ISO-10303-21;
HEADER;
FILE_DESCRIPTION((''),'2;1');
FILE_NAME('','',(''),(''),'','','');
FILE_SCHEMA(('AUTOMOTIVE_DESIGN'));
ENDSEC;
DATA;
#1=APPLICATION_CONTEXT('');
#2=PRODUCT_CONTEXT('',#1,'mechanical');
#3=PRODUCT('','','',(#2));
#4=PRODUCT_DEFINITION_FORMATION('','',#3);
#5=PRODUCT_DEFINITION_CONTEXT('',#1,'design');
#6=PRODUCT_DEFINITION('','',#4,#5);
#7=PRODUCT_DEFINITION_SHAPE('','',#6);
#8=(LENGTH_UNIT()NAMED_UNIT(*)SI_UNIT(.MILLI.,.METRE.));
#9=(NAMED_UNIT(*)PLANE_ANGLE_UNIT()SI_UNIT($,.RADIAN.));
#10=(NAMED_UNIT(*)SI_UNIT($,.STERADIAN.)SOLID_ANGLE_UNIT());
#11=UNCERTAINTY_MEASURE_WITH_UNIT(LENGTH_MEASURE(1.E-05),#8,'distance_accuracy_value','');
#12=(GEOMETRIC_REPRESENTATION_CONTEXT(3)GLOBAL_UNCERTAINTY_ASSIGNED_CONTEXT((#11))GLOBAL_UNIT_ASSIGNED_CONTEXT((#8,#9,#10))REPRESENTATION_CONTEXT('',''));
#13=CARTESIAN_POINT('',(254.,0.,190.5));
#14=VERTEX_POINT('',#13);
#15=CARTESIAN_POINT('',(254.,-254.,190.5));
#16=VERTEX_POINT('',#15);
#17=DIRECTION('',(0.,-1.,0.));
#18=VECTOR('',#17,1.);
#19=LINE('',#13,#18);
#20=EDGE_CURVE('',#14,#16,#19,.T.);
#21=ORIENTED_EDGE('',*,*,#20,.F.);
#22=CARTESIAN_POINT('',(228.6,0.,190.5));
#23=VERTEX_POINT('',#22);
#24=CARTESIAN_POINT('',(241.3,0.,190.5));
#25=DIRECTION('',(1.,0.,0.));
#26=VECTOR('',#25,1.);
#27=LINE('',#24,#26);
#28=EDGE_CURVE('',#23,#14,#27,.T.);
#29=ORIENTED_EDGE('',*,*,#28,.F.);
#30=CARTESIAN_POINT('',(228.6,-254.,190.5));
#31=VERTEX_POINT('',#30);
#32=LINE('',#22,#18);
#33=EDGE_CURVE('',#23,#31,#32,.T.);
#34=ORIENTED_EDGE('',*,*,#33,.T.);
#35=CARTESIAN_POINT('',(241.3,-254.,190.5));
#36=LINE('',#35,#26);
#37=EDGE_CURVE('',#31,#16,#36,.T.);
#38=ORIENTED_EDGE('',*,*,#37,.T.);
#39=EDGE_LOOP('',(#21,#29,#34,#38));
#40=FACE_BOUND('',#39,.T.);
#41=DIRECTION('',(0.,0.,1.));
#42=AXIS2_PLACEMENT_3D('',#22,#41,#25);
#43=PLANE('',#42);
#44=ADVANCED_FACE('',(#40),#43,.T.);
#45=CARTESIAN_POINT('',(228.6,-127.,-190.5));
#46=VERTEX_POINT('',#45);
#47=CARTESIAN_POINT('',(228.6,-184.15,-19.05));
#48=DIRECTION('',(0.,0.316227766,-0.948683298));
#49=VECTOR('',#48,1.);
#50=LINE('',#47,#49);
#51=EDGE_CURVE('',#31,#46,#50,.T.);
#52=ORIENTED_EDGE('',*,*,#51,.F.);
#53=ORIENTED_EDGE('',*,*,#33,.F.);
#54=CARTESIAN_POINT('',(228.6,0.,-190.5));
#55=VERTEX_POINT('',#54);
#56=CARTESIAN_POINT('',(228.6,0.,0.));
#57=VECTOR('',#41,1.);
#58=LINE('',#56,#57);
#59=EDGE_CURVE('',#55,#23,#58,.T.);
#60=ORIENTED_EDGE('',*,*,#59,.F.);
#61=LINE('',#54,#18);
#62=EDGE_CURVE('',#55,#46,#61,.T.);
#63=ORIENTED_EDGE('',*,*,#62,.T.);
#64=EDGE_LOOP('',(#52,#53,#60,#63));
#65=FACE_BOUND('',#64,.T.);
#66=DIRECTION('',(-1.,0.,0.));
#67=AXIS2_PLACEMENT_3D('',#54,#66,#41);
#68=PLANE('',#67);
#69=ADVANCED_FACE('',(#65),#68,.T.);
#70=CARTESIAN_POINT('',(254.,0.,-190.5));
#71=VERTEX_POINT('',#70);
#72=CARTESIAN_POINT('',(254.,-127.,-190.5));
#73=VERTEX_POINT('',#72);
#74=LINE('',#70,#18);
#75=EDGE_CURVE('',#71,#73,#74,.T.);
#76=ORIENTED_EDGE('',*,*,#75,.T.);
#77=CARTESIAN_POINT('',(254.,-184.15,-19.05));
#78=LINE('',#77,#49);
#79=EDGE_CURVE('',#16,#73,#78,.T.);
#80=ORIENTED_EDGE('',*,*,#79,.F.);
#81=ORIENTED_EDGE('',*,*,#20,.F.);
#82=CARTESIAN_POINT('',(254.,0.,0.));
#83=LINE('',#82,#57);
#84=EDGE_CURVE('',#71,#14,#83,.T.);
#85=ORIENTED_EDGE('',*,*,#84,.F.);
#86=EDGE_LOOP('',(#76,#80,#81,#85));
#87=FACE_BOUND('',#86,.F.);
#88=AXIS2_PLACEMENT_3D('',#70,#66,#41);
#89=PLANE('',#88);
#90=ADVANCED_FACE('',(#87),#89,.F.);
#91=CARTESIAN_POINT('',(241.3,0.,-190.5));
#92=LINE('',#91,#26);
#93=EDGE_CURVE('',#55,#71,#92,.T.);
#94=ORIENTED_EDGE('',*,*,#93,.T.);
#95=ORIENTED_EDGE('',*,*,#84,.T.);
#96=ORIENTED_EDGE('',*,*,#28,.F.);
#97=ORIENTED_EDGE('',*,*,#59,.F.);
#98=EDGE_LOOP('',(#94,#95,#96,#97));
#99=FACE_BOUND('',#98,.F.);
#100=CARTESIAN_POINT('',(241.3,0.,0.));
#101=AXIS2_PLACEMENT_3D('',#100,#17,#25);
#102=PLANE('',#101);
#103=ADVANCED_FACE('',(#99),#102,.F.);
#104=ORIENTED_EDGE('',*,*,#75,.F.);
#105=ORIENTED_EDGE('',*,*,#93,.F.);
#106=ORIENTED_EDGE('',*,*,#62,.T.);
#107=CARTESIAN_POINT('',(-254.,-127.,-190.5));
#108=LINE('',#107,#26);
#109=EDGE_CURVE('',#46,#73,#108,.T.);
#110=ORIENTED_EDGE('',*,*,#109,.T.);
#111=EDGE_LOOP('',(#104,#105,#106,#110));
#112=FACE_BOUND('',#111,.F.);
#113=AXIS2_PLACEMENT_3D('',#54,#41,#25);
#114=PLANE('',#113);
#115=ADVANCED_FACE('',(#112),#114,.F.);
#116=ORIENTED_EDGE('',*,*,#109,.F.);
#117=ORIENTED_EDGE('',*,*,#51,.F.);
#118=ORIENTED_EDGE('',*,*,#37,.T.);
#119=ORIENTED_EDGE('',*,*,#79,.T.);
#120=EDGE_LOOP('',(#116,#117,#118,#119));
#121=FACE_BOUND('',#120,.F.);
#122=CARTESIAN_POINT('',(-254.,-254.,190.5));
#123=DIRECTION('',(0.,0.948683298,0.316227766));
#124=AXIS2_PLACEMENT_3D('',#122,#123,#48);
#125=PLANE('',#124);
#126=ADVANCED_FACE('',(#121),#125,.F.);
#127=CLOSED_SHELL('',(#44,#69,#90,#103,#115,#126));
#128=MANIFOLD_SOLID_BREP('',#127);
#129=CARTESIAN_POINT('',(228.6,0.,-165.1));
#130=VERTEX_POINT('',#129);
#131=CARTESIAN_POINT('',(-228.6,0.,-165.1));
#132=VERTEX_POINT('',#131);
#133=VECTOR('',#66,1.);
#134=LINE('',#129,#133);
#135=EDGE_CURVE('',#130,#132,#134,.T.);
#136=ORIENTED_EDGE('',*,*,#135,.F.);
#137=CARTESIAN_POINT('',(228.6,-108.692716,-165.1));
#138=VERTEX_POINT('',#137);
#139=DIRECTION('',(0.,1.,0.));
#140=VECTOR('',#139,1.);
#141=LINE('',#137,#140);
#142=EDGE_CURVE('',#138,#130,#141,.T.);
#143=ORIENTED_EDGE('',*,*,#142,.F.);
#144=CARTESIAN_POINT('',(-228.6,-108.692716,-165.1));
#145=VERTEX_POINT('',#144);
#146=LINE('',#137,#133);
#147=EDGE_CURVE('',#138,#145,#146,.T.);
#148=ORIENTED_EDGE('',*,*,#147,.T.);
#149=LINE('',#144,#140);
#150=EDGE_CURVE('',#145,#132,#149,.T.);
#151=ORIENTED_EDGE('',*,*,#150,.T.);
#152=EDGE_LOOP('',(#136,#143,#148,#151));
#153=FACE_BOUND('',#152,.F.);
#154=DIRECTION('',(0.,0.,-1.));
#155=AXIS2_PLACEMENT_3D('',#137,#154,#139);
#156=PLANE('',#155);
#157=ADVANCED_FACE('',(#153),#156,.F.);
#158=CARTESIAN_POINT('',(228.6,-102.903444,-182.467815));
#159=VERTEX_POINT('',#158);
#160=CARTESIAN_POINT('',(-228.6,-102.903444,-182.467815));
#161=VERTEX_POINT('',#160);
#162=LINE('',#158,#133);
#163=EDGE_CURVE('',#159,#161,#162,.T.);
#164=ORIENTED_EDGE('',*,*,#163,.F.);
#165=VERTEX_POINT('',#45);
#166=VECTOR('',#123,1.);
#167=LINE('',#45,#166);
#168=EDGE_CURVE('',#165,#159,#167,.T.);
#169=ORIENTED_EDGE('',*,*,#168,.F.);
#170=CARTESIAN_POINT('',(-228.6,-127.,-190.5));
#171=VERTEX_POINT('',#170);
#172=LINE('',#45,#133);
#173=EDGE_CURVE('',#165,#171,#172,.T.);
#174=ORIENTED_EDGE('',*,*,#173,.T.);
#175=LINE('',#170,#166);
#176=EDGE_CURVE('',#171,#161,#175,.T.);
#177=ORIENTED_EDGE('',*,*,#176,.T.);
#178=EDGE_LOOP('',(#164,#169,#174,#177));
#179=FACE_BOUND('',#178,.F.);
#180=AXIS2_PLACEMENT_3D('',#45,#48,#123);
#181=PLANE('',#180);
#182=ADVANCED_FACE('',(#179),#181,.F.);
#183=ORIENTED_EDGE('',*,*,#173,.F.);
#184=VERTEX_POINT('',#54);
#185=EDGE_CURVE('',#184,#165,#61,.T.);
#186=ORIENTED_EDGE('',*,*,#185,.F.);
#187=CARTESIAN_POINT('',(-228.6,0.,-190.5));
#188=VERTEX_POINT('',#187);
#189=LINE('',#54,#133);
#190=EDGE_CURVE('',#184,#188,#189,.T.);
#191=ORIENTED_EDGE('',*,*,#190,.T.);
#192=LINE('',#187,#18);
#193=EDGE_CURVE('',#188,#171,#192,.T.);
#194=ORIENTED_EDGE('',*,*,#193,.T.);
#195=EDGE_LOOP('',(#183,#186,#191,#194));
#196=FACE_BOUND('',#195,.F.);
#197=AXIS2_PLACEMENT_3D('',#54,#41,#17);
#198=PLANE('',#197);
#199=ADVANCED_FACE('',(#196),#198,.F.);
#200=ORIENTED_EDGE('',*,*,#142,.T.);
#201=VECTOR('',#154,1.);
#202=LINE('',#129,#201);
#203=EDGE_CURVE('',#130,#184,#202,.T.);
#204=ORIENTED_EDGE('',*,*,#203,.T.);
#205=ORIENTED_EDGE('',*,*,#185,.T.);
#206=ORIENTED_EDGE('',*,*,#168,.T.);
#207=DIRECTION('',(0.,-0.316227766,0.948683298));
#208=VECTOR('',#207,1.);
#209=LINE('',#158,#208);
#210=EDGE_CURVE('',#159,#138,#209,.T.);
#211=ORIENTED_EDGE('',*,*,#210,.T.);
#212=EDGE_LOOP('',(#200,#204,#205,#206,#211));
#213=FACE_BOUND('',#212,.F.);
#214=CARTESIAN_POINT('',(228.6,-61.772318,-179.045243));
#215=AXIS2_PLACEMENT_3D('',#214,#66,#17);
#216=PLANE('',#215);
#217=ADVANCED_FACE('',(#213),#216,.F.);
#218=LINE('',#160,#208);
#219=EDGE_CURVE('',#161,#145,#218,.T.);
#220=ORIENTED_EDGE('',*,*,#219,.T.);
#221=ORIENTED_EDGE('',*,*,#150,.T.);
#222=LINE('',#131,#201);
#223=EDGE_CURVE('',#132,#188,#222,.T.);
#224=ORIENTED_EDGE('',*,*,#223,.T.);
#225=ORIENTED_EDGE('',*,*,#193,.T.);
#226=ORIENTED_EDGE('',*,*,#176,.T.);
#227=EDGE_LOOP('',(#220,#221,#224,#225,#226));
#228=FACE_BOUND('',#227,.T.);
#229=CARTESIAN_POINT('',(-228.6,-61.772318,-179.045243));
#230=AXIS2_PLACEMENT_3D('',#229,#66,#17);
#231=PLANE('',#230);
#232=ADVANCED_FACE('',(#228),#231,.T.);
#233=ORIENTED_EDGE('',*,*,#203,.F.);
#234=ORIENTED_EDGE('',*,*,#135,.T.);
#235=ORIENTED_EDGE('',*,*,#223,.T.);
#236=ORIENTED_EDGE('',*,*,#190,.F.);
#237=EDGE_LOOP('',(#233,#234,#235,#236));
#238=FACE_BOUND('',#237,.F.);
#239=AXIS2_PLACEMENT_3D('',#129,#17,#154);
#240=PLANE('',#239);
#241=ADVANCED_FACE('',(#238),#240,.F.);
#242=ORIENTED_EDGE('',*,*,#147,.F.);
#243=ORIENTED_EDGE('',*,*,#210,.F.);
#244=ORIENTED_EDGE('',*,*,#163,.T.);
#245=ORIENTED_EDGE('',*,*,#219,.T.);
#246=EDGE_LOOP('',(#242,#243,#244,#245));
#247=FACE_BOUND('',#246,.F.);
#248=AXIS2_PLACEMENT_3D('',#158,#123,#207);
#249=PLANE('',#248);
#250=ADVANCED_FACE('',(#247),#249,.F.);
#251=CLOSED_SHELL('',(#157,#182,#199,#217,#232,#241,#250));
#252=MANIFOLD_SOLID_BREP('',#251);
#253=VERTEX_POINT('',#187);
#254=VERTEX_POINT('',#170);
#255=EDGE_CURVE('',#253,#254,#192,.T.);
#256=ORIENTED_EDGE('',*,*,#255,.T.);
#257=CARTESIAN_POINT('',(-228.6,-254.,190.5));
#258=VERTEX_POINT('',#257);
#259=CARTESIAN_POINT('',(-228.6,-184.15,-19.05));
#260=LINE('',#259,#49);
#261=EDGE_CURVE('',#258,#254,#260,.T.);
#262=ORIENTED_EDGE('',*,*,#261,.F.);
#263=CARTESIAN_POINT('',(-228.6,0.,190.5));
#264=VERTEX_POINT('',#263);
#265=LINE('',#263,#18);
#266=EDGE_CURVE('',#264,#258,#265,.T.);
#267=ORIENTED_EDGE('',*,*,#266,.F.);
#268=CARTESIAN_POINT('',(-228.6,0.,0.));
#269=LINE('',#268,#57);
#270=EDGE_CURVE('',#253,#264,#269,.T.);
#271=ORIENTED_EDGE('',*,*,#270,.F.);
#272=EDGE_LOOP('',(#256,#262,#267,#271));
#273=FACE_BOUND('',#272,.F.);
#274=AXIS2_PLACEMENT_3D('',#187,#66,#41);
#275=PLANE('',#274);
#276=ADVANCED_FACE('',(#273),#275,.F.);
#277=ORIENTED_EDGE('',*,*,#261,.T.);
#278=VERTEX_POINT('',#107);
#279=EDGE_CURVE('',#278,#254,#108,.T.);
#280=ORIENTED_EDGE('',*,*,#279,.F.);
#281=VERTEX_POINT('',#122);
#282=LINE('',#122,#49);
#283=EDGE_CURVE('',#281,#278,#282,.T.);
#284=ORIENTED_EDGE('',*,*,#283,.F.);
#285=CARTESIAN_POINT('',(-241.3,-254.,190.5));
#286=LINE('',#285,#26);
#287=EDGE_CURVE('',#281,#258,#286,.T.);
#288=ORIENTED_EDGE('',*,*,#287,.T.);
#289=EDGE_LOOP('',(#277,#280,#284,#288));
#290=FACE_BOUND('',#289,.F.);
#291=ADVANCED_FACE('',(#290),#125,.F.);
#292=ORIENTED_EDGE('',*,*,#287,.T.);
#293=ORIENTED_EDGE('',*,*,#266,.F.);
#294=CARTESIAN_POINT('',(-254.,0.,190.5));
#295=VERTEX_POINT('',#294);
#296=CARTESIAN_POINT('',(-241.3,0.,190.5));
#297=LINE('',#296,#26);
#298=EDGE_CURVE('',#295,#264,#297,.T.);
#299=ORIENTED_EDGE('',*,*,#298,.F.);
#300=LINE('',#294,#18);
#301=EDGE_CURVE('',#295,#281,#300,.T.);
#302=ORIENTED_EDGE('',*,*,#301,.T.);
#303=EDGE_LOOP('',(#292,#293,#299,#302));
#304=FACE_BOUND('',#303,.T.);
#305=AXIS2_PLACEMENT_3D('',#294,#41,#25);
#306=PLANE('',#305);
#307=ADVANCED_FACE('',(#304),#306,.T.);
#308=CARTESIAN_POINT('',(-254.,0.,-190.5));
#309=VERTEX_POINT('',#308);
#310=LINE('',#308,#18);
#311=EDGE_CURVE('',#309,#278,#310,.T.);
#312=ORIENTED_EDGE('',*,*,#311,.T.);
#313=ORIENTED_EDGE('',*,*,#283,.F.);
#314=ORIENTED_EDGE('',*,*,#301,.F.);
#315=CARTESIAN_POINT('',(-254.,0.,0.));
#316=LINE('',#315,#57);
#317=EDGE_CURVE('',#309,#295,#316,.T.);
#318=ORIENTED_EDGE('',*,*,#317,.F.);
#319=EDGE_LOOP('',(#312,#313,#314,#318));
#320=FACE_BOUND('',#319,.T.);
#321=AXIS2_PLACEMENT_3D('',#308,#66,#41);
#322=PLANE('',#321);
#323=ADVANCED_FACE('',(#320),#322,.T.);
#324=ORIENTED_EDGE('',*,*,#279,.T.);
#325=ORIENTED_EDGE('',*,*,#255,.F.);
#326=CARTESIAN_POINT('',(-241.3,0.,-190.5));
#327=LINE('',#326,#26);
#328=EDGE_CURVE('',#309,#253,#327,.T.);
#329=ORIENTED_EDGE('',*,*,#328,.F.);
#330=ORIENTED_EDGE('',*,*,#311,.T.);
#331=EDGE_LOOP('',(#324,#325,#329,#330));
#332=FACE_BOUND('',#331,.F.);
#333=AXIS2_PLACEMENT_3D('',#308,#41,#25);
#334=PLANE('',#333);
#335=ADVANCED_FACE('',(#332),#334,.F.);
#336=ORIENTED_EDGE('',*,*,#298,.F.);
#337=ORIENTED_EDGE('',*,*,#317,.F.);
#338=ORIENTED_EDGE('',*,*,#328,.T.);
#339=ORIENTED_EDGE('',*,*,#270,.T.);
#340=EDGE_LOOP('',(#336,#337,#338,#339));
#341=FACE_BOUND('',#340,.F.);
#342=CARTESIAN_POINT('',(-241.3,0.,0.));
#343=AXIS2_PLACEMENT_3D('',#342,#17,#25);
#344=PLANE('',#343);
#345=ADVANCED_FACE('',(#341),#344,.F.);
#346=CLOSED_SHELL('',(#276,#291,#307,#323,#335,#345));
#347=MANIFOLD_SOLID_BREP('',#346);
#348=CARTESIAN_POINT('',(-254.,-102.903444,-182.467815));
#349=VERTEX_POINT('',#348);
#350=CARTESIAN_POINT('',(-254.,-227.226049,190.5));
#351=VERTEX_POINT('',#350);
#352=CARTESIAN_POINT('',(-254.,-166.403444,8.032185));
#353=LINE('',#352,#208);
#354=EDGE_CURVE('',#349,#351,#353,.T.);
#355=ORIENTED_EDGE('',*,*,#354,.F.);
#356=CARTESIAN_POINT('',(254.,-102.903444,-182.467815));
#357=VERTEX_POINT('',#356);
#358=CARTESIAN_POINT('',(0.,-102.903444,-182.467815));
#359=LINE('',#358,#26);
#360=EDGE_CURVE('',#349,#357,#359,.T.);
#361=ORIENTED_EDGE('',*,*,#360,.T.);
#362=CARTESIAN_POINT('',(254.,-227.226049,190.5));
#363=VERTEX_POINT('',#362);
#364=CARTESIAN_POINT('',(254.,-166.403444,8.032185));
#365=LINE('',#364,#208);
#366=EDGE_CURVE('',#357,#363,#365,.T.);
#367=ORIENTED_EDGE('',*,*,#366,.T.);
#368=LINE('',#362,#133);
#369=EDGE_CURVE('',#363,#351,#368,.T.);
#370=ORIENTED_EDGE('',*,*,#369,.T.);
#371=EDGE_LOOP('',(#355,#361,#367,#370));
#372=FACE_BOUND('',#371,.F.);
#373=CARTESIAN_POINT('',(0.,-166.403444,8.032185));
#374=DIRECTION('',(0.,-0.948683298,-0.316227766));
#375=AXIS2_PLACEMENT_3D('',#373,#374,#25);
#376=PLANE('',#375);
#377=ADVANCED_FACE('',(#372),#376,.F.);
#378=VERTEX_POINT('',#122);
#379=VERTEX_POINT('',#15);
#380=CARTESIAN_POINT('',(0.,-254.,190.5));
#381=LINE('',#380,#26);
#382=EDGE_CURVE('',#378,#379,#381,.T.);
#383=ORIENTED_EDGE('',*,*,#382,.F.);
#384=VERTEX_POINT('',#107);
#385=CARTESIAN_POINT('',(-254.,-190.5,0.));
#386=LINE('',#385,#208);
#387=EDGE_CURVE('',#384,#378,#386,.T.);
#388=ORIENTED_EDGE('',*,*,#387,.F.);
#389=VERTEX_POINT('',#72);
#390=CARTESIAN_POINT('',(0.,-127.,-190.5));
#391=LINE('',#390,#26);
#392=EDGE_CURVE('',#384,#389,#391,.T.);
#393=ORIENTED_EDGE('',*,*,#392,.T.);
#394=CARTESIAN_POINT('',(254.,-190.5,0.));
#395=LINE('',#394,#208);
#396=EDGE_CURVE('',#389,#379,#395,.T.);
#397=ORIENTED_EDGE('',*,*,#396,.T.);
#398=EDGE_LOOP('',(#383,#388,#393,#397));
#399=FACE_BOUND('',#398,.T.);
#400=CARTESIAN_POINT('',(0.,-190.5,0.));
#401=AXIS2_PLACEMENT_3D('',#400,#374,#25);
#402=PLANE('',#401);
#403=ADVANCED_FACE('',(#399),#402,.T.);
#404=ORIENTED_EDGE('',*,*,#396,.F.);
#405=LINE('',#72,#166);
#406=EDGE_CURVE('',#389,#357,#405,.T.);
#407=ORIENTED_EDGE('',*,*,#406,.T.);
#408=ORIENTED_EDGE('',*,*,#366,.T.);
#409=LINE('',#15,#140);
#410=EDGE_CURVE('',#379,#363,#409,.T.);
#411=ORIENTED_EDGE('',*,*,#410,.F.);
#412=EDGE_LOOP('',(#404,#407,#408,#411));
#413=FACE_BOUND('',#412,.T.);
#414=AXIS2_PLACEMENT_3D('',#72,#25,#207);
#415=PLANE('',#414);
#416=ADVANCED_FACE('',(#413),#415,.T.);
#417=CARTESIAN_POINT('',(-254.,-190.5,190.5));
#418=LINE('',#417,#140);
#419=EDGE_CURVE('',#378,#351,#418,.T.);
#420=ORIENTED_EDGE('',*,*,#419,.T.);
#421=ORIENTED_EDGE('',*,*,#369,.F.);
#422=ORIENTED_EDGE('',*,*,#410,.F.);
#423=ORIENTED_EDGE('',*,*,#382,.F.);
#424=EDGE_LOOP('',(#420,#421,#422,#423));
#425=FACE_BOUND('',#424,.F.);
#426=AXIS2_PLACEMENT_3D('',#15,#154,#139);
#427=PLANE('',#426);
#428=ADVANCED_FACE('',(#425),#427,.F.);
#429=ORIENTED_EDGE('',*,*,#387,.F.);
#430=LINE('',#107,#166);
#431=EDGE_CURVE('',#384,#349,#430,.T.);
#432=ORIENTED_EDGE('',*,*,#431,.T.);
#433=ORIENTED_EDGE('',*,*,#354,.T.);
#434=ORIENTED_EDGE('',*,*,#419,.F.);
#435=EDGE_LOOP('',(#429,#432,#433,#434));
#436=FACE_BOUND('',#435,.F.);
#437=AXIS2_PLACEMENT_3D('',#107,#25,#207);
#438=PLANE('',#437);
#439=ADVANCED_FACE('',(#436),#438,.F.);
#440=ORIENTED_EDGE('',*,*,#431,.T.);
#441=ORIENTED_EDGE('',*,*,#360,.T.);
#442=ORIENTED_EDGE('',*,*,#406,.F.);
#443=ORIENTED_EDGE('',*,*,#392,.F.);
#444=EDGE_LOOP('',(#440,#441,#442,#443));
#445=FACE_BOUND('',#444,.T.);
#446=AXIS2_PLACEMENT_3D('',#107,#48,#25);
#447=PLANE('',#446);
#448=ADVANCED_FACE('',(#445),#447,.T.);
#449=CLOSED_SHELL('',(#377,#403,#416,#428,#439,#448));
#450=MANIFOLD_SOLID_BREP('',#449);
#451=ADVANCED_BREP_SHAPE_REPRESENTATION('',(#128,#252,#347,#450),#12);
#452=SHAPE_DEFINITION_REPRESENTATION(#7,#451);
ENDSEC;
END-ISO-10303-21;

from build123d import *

# Parameters (mm, degrees)
F1_W      = 25.4
F1_H      = 381
F2_DEPTH  = 254
F4_DEPTH  = 635
F5_W      = 508
F5_H      = 401.6092628414
F6_DEPTH  = 25.4
F9_DEPTH  = 457.2
F10_DEPTH = 508.001


with BuildPart() as f2:
    # F1 (on face) → F2 (new body)
    with BuildSketch(Plane.XZ):
        with Locations((-241.3, 0)):
            Rectangle(F1_W, F1_H)
    extrude(amount=F2_DEPTH)


with BuildPart() as f2b:
    # F1 (on face) → F2, piece 2 (new body)
    with BuildSketch(Plane.XZ):
        with Locations((241.3, 0)):
            Rectangle(F1_W, F1_H)
    extrude(amount=F2_DEPTH)


with BuildPart() as f4_tool:
    # F3 (on face) → F4 (new body)
    with BuildSketch(Plane(origin=(-254, 0, 0), x_dir=(0, -1, 0), z_dir=(-1, 0, 0))):
        Polygon((127, -190.5), (254, -190.5), (254, 190.5), align=None)
    extrude(amount=-F4_DEPTH)


with BuildPart() as f2_1:
    add(f2.part)

    # F4: cut by f4_tool
    add(f4_tool.part, mode=Mode.SUBTRACT)


with BuildPart() as f2b_1:
    add(f2b.part)

    # F4: cut by f4_tool
    add(f4_tool.part, mode=Mode.SUBTRACT)


with BuildPart() as f6:
    # F5 (on face) → F6 (new body)
    with BuildSketch(Plane(origin=(0, -171.45, -57.15), x_dir=(1, 0, 0), z_dir=(0, -0.9486832981, -0.316227766))):
        with Locations((0, 60.2413894262)):
            Rectangle(F5_W, F5_H)
    extrude(amount=-F6_DEPTH)

    # F7 (on face) → F10 (cut, through all)
    with BuildSketch(Plane.YZ.offset(254)):
        Polygon((-227.2260491439, 190.5), (-229.9034442295, 198.5321852568), (-254, 190.5), align=None)
    extrude(amount=-F10_DEPTH, mode=Mode.SUBTRACT)


with BuildPart() as f9:
    # F8 (on face) → F9 (new body, through all)
    with BuildSketch(Plane(origin=(228.6, 0, 0), x_dir=(0, -1, 0), z_dir=(-1, 0, 0))):
        Polygon((0, -190.5), (127, -190.5), (102.9034442295, -182.4678147432), (108.6927158106, -165.1), (0, -165.1), align=None)
    extrude(amount=F9_DEPTH)


solid = Compound([f2_1.part, f2b_1.part, f6.part, f9.part])
